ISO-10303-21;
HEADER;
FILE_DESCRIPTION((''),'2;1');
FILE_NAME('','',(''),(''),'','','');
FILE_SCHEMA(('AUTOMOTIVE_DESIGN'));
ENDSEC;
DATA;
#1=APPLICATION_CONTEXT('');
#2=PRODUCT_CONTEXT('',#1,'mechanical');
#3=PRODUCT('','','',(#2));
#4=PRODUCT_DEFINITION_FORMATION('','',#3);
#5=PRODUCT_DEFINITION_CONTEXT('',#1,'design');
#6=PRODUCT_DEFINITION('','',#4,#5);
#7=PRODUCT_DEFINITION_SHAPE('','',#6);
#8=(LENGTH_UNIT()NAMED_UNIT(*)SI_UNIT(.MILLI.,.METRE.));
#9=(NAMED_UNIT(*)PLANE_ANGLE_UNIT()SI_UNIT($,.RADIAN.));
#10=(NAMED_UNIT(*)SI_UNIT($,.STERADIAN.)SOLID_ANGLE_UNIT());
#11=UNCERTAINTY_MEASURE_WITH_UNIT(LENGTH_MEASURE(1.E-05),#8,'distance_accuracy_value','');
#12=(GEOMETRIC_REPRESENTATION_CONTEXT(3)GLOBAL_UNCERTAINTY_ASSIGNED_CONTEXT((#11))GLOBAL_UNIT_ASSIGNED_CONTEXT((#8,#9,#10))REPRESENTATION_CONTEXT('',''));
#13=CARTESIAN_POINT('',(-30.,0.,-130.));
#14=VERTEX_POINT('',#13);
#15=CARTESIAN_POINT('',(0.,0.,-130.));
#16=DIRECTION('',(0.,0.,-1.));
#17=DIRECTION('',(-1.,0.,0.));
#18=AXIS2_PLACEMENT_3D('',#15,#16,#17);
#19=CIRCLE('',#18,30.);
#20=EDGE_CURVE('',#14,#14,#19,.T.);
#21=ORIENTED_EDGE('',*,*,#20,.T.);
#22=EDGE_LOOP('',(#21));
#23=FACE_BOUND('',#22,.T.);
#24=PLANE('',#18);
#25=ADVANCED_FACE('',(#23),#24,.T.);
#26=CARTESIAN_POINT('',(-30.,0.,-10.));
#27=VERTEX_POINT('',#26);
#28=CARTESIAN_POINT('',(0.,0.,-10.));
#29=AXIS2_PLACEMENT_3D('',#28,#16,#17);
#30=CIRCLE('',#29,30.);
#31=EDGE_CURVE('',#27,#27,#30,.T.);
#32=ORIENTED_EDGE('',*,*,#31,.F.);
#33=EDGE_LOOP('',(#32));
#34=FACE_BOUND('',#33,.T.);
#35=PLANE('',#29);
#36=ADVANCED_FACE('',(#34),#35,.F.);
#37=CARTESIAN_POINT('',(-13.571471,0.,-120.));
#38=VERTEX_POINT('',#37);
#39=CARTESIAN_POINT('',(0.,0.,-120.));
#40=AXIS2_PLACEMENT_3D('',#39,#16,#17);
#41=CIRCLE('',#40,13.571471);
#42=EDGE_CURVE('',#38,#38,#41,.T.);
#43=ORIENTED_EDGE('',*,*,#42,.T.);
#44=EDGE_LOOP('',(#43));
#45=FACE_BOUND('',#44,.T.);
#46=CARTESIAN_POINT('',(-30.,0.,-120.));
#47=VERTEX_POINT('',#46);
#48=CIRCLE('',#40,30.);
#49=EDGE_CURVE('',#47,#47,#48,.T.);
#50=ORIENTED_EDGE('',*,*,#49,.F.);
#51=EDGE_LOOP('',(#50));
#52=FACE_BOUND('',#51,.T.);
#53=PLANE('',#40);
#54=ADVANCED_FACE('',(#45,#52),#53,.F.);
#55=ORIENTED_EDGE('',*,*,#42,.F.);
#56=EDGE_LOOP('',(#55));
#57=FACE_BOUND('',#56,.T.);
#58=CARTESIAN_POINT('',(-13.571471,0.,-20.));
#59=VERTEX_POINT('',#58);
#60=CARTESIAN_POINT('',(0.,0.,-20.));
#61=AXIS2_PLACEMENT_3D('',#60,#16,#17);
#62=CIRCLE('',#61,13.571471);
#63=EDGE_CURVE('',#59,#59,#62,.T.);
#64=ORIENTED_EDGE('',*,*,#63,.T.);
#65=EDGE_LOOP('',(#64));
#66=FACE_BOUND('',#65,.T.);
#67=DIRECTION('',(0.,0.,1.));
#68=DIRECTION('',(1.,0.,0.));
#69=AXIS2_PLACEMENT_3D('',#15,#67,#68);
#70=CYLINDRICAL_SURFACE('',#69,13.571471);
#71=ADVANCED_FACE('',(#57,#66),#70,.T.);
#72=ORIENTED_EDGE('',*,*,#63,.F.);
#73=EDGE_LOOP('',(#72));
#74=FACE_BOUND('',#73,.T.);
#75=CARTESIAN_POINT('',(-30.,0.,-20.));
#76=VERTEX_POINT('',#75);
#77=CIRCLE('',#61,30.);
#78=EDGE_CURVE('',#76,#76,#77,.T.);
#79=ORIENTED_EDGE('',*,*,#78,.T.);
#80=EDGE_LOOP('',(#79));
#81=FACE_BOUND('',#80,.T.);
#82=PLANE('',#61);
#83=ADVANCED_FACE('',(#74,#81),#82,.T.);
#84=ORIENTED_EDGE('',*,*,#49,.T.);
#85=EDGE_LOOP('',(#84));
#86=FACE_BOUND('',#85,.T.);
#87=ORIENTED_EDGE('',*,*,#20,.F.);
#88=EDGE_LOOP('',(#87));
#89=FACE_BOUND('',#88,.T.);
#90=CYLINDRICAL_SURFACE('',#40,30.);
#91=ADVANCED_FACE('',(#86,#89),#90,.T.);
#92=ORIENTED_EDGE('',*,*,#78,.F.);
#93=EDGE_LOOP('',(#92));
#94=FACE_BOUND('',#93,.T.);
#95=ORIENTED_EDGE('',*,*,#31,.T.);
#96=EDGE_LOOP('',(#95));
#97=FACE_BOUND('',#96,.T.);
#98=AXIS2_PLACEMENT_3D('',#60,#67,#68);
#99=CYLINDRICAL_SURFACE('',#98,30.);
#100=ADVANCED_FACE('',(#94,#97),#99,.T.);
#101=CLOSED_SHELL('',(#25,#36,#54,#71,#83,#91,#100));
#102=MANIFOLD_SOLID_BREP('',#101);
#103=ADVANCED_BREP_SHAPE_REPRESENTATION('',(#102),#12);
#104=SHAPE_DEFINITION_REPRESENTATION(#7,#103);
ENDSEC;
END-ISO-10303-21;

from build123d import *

# Parameters (mm, degrees)
ESBO_O1_2_R             = 48.65
EXTRUSI_N_1_DEPTH       = 490
CORTE_BARRIDO_1_PITCH   = 101.6
CORTE_BARRIDO_1_HEIGHT  = 914.4
CORTE_BARRIDO_1_RADIUS  = 48.65
CROQUIS_3_RX            = 47.863125
CROQUIS_3_RY            = 47.863125
CROQUIS3_R              = 13
SALIENTE_EXTRUIR1_DEPTH = 490
CROQUIS4_R              = 49
SALIENTE_EXTRUIR2_DEPTH = 10
CROQUIS5_R              = 13.571471
SALIENTE_EXTRUIR3_DEPTH = 120
CHAFL_N2_SIZE           = 2
CROQUIS19_W             = 451.947205317
CROQUIS19_H             = 279.188572138
CORTAR_EXTRUIR4_DEPTH   = 721
CROQUIS20_R             = 30
SALIENTE_EXTRUIR4_DEPTH = 10
SALIENTE_EXTRUIR5_START = -10
CROQUIS21_R             = 30
SALIENTE_EXTRUIR5_DEPTH = 10


with BuildPart() as part:
    # Esboço1<2> → Extrusión 1 (new body)
    with BuildSketch(Plane.XY):
        Circle(ESBO_O1_2_R)
    extrude(amount=EXTRUSI_N_1_DEPTH)

    # Corte Barrido 1: sweep along a helix
    with BuildLine() as corte_barrido_1_path:
        Helix(CORTE_BARRIDO_1_PITCH, CORTE_BARRIDO_1_HEIGHT, CORTE_BARRIDO_1_RADIUS, center=(0, 0, 0), direction=(0, 0, 1), lefthand=True)
    # Croquis 3 → Corte Barrido 1 (sweep, cut)
    with BuildSketch(Plane(origin=(0, 0, 0), x_dir=(1, 0, 0), z_dir=(0, 1, 0))):
        with Locations(Location((-48.65, 0), (0, 0, -180))):
            Ellipse(CROQUIS_3_RX, CROQUIS_3_RY)
    sweep(path=corte_barrido_1_path.line, is_frenet=True, mode=Mode.SUBTRACT)

    # Croquis3 → Saliente-Extruir1 (add)
    with BuildSketch(Plane(origin=(0, 0, 0), x_dir=(-1, 0, 0), z_dir=(0, 0, -1))):
        Circle(CROQUIS3_R)
    extrude(amount=-SALIENTE_EXTRUIR1_DEPTH)

    # Croquis4 → Saliente-Extruir2 (add)
    with BuildSketch(Plane(origin=(0, 0, 0), x_dir=(-1, 0, 0), z_dir=(0, 0, -1))):
        Circle(CROQUIS4_R)
    extrude(amount=SALIENTE_EXTRUIR2_DEPTH)

    # Croquis5 → Saliente-Extruir3 (add)
    with BuildSketch(Plane(origin=(0, 0, -10), x_dir=(-1, 0, 0), z_dir=(0, 0, -1))):
        Circle(CROQUIS5_R)
    extrude(amount=SALIENTE_EXTRUIR3_DEPTH)

    # Croquis11 → Revolución1 (revolve)
    with BuildSketch(Plane(origin=(0, 0, 0), x_dir=(0, 0, -1), z_dir=(1, 0, 0)), mode=Mode.PRIVATE) as revoluci_n1_sk:
        Polygon((-490, -13), (-490, 0), (-564, 0), (-564, -6), (-526, -6), (-526, -13), (-495, -13), align=None)
    revolve(revoluci_n1_sk.sketch.rotate(Axis((0, 0, 490), (0, 0, 1)), 270), axis=Axis((0, 0, 490), (0, 0, 1)))

    # Chaflán2
    chafl_n2_edges = [part.edges().sort_by_distance(p)[0] for p in [
        (6, 0, 564),
    ]]
    chamfer(chafl_n2_edges, length=CHAFL_N2_SIZE)

    # Croquis12 → Cortar-Revolución1 (revolve, cut)
    with BuildSketch(Plane(origin=(0, 0, 0), x_dir=(1, 0, 0), z_dir=(0, 1, 0))):
        Polygon((-13, -505), (-12, -505), (-12, -509.7), (-13, -509.7), (-15.609105151, -509.7), (-15.609105151, -505), align=None)
    revolve(axis=Axis((0, 0, 526), (0, 0, -1)), mode=Mode.SUBTRACT)

    # Croquis19 → Cortar-Extruir4 (cut)
    with BuildSketch(Plane(origin=(0, 0, -10), x_dir=(-1, 0, 0), z_dir=(0, 0, -1))):
        with Locations((-30.102891015, -20.278452223)):
            Rectangle(CROQUIS19_W, CROQUIS19_H)
    extrude(amount=-CORTAR_EXTRUIR4_DEPTH, mode=Mode.SUBTRACT)

    # Croquis20 → Saliente-Extruir4 (add)
    with BuildSketch(Plane(origin=(0, 0, -10), x_dir=(-1, 0, 0), z_dir=(0, 0, -1))):
        Circle(CROQUIS20_R)
    extrude(amount=SALIENTE_EXTRUIR4_DEPTH)

    # Croquis21 → Saliente-Extruir5 (add)
    with BuildSketch(Plane(origin=(0, 0, -130), x_dir=(-1, 0, 0), z_dir=(0, 0, -1)).offset(SALIENTE_EXTRUIR5_START)):
        Circle(CROQUIS21_R)
    extrude(amount=SALIENTE_EXTRUIR5_DEPTH)


solid = part.part
